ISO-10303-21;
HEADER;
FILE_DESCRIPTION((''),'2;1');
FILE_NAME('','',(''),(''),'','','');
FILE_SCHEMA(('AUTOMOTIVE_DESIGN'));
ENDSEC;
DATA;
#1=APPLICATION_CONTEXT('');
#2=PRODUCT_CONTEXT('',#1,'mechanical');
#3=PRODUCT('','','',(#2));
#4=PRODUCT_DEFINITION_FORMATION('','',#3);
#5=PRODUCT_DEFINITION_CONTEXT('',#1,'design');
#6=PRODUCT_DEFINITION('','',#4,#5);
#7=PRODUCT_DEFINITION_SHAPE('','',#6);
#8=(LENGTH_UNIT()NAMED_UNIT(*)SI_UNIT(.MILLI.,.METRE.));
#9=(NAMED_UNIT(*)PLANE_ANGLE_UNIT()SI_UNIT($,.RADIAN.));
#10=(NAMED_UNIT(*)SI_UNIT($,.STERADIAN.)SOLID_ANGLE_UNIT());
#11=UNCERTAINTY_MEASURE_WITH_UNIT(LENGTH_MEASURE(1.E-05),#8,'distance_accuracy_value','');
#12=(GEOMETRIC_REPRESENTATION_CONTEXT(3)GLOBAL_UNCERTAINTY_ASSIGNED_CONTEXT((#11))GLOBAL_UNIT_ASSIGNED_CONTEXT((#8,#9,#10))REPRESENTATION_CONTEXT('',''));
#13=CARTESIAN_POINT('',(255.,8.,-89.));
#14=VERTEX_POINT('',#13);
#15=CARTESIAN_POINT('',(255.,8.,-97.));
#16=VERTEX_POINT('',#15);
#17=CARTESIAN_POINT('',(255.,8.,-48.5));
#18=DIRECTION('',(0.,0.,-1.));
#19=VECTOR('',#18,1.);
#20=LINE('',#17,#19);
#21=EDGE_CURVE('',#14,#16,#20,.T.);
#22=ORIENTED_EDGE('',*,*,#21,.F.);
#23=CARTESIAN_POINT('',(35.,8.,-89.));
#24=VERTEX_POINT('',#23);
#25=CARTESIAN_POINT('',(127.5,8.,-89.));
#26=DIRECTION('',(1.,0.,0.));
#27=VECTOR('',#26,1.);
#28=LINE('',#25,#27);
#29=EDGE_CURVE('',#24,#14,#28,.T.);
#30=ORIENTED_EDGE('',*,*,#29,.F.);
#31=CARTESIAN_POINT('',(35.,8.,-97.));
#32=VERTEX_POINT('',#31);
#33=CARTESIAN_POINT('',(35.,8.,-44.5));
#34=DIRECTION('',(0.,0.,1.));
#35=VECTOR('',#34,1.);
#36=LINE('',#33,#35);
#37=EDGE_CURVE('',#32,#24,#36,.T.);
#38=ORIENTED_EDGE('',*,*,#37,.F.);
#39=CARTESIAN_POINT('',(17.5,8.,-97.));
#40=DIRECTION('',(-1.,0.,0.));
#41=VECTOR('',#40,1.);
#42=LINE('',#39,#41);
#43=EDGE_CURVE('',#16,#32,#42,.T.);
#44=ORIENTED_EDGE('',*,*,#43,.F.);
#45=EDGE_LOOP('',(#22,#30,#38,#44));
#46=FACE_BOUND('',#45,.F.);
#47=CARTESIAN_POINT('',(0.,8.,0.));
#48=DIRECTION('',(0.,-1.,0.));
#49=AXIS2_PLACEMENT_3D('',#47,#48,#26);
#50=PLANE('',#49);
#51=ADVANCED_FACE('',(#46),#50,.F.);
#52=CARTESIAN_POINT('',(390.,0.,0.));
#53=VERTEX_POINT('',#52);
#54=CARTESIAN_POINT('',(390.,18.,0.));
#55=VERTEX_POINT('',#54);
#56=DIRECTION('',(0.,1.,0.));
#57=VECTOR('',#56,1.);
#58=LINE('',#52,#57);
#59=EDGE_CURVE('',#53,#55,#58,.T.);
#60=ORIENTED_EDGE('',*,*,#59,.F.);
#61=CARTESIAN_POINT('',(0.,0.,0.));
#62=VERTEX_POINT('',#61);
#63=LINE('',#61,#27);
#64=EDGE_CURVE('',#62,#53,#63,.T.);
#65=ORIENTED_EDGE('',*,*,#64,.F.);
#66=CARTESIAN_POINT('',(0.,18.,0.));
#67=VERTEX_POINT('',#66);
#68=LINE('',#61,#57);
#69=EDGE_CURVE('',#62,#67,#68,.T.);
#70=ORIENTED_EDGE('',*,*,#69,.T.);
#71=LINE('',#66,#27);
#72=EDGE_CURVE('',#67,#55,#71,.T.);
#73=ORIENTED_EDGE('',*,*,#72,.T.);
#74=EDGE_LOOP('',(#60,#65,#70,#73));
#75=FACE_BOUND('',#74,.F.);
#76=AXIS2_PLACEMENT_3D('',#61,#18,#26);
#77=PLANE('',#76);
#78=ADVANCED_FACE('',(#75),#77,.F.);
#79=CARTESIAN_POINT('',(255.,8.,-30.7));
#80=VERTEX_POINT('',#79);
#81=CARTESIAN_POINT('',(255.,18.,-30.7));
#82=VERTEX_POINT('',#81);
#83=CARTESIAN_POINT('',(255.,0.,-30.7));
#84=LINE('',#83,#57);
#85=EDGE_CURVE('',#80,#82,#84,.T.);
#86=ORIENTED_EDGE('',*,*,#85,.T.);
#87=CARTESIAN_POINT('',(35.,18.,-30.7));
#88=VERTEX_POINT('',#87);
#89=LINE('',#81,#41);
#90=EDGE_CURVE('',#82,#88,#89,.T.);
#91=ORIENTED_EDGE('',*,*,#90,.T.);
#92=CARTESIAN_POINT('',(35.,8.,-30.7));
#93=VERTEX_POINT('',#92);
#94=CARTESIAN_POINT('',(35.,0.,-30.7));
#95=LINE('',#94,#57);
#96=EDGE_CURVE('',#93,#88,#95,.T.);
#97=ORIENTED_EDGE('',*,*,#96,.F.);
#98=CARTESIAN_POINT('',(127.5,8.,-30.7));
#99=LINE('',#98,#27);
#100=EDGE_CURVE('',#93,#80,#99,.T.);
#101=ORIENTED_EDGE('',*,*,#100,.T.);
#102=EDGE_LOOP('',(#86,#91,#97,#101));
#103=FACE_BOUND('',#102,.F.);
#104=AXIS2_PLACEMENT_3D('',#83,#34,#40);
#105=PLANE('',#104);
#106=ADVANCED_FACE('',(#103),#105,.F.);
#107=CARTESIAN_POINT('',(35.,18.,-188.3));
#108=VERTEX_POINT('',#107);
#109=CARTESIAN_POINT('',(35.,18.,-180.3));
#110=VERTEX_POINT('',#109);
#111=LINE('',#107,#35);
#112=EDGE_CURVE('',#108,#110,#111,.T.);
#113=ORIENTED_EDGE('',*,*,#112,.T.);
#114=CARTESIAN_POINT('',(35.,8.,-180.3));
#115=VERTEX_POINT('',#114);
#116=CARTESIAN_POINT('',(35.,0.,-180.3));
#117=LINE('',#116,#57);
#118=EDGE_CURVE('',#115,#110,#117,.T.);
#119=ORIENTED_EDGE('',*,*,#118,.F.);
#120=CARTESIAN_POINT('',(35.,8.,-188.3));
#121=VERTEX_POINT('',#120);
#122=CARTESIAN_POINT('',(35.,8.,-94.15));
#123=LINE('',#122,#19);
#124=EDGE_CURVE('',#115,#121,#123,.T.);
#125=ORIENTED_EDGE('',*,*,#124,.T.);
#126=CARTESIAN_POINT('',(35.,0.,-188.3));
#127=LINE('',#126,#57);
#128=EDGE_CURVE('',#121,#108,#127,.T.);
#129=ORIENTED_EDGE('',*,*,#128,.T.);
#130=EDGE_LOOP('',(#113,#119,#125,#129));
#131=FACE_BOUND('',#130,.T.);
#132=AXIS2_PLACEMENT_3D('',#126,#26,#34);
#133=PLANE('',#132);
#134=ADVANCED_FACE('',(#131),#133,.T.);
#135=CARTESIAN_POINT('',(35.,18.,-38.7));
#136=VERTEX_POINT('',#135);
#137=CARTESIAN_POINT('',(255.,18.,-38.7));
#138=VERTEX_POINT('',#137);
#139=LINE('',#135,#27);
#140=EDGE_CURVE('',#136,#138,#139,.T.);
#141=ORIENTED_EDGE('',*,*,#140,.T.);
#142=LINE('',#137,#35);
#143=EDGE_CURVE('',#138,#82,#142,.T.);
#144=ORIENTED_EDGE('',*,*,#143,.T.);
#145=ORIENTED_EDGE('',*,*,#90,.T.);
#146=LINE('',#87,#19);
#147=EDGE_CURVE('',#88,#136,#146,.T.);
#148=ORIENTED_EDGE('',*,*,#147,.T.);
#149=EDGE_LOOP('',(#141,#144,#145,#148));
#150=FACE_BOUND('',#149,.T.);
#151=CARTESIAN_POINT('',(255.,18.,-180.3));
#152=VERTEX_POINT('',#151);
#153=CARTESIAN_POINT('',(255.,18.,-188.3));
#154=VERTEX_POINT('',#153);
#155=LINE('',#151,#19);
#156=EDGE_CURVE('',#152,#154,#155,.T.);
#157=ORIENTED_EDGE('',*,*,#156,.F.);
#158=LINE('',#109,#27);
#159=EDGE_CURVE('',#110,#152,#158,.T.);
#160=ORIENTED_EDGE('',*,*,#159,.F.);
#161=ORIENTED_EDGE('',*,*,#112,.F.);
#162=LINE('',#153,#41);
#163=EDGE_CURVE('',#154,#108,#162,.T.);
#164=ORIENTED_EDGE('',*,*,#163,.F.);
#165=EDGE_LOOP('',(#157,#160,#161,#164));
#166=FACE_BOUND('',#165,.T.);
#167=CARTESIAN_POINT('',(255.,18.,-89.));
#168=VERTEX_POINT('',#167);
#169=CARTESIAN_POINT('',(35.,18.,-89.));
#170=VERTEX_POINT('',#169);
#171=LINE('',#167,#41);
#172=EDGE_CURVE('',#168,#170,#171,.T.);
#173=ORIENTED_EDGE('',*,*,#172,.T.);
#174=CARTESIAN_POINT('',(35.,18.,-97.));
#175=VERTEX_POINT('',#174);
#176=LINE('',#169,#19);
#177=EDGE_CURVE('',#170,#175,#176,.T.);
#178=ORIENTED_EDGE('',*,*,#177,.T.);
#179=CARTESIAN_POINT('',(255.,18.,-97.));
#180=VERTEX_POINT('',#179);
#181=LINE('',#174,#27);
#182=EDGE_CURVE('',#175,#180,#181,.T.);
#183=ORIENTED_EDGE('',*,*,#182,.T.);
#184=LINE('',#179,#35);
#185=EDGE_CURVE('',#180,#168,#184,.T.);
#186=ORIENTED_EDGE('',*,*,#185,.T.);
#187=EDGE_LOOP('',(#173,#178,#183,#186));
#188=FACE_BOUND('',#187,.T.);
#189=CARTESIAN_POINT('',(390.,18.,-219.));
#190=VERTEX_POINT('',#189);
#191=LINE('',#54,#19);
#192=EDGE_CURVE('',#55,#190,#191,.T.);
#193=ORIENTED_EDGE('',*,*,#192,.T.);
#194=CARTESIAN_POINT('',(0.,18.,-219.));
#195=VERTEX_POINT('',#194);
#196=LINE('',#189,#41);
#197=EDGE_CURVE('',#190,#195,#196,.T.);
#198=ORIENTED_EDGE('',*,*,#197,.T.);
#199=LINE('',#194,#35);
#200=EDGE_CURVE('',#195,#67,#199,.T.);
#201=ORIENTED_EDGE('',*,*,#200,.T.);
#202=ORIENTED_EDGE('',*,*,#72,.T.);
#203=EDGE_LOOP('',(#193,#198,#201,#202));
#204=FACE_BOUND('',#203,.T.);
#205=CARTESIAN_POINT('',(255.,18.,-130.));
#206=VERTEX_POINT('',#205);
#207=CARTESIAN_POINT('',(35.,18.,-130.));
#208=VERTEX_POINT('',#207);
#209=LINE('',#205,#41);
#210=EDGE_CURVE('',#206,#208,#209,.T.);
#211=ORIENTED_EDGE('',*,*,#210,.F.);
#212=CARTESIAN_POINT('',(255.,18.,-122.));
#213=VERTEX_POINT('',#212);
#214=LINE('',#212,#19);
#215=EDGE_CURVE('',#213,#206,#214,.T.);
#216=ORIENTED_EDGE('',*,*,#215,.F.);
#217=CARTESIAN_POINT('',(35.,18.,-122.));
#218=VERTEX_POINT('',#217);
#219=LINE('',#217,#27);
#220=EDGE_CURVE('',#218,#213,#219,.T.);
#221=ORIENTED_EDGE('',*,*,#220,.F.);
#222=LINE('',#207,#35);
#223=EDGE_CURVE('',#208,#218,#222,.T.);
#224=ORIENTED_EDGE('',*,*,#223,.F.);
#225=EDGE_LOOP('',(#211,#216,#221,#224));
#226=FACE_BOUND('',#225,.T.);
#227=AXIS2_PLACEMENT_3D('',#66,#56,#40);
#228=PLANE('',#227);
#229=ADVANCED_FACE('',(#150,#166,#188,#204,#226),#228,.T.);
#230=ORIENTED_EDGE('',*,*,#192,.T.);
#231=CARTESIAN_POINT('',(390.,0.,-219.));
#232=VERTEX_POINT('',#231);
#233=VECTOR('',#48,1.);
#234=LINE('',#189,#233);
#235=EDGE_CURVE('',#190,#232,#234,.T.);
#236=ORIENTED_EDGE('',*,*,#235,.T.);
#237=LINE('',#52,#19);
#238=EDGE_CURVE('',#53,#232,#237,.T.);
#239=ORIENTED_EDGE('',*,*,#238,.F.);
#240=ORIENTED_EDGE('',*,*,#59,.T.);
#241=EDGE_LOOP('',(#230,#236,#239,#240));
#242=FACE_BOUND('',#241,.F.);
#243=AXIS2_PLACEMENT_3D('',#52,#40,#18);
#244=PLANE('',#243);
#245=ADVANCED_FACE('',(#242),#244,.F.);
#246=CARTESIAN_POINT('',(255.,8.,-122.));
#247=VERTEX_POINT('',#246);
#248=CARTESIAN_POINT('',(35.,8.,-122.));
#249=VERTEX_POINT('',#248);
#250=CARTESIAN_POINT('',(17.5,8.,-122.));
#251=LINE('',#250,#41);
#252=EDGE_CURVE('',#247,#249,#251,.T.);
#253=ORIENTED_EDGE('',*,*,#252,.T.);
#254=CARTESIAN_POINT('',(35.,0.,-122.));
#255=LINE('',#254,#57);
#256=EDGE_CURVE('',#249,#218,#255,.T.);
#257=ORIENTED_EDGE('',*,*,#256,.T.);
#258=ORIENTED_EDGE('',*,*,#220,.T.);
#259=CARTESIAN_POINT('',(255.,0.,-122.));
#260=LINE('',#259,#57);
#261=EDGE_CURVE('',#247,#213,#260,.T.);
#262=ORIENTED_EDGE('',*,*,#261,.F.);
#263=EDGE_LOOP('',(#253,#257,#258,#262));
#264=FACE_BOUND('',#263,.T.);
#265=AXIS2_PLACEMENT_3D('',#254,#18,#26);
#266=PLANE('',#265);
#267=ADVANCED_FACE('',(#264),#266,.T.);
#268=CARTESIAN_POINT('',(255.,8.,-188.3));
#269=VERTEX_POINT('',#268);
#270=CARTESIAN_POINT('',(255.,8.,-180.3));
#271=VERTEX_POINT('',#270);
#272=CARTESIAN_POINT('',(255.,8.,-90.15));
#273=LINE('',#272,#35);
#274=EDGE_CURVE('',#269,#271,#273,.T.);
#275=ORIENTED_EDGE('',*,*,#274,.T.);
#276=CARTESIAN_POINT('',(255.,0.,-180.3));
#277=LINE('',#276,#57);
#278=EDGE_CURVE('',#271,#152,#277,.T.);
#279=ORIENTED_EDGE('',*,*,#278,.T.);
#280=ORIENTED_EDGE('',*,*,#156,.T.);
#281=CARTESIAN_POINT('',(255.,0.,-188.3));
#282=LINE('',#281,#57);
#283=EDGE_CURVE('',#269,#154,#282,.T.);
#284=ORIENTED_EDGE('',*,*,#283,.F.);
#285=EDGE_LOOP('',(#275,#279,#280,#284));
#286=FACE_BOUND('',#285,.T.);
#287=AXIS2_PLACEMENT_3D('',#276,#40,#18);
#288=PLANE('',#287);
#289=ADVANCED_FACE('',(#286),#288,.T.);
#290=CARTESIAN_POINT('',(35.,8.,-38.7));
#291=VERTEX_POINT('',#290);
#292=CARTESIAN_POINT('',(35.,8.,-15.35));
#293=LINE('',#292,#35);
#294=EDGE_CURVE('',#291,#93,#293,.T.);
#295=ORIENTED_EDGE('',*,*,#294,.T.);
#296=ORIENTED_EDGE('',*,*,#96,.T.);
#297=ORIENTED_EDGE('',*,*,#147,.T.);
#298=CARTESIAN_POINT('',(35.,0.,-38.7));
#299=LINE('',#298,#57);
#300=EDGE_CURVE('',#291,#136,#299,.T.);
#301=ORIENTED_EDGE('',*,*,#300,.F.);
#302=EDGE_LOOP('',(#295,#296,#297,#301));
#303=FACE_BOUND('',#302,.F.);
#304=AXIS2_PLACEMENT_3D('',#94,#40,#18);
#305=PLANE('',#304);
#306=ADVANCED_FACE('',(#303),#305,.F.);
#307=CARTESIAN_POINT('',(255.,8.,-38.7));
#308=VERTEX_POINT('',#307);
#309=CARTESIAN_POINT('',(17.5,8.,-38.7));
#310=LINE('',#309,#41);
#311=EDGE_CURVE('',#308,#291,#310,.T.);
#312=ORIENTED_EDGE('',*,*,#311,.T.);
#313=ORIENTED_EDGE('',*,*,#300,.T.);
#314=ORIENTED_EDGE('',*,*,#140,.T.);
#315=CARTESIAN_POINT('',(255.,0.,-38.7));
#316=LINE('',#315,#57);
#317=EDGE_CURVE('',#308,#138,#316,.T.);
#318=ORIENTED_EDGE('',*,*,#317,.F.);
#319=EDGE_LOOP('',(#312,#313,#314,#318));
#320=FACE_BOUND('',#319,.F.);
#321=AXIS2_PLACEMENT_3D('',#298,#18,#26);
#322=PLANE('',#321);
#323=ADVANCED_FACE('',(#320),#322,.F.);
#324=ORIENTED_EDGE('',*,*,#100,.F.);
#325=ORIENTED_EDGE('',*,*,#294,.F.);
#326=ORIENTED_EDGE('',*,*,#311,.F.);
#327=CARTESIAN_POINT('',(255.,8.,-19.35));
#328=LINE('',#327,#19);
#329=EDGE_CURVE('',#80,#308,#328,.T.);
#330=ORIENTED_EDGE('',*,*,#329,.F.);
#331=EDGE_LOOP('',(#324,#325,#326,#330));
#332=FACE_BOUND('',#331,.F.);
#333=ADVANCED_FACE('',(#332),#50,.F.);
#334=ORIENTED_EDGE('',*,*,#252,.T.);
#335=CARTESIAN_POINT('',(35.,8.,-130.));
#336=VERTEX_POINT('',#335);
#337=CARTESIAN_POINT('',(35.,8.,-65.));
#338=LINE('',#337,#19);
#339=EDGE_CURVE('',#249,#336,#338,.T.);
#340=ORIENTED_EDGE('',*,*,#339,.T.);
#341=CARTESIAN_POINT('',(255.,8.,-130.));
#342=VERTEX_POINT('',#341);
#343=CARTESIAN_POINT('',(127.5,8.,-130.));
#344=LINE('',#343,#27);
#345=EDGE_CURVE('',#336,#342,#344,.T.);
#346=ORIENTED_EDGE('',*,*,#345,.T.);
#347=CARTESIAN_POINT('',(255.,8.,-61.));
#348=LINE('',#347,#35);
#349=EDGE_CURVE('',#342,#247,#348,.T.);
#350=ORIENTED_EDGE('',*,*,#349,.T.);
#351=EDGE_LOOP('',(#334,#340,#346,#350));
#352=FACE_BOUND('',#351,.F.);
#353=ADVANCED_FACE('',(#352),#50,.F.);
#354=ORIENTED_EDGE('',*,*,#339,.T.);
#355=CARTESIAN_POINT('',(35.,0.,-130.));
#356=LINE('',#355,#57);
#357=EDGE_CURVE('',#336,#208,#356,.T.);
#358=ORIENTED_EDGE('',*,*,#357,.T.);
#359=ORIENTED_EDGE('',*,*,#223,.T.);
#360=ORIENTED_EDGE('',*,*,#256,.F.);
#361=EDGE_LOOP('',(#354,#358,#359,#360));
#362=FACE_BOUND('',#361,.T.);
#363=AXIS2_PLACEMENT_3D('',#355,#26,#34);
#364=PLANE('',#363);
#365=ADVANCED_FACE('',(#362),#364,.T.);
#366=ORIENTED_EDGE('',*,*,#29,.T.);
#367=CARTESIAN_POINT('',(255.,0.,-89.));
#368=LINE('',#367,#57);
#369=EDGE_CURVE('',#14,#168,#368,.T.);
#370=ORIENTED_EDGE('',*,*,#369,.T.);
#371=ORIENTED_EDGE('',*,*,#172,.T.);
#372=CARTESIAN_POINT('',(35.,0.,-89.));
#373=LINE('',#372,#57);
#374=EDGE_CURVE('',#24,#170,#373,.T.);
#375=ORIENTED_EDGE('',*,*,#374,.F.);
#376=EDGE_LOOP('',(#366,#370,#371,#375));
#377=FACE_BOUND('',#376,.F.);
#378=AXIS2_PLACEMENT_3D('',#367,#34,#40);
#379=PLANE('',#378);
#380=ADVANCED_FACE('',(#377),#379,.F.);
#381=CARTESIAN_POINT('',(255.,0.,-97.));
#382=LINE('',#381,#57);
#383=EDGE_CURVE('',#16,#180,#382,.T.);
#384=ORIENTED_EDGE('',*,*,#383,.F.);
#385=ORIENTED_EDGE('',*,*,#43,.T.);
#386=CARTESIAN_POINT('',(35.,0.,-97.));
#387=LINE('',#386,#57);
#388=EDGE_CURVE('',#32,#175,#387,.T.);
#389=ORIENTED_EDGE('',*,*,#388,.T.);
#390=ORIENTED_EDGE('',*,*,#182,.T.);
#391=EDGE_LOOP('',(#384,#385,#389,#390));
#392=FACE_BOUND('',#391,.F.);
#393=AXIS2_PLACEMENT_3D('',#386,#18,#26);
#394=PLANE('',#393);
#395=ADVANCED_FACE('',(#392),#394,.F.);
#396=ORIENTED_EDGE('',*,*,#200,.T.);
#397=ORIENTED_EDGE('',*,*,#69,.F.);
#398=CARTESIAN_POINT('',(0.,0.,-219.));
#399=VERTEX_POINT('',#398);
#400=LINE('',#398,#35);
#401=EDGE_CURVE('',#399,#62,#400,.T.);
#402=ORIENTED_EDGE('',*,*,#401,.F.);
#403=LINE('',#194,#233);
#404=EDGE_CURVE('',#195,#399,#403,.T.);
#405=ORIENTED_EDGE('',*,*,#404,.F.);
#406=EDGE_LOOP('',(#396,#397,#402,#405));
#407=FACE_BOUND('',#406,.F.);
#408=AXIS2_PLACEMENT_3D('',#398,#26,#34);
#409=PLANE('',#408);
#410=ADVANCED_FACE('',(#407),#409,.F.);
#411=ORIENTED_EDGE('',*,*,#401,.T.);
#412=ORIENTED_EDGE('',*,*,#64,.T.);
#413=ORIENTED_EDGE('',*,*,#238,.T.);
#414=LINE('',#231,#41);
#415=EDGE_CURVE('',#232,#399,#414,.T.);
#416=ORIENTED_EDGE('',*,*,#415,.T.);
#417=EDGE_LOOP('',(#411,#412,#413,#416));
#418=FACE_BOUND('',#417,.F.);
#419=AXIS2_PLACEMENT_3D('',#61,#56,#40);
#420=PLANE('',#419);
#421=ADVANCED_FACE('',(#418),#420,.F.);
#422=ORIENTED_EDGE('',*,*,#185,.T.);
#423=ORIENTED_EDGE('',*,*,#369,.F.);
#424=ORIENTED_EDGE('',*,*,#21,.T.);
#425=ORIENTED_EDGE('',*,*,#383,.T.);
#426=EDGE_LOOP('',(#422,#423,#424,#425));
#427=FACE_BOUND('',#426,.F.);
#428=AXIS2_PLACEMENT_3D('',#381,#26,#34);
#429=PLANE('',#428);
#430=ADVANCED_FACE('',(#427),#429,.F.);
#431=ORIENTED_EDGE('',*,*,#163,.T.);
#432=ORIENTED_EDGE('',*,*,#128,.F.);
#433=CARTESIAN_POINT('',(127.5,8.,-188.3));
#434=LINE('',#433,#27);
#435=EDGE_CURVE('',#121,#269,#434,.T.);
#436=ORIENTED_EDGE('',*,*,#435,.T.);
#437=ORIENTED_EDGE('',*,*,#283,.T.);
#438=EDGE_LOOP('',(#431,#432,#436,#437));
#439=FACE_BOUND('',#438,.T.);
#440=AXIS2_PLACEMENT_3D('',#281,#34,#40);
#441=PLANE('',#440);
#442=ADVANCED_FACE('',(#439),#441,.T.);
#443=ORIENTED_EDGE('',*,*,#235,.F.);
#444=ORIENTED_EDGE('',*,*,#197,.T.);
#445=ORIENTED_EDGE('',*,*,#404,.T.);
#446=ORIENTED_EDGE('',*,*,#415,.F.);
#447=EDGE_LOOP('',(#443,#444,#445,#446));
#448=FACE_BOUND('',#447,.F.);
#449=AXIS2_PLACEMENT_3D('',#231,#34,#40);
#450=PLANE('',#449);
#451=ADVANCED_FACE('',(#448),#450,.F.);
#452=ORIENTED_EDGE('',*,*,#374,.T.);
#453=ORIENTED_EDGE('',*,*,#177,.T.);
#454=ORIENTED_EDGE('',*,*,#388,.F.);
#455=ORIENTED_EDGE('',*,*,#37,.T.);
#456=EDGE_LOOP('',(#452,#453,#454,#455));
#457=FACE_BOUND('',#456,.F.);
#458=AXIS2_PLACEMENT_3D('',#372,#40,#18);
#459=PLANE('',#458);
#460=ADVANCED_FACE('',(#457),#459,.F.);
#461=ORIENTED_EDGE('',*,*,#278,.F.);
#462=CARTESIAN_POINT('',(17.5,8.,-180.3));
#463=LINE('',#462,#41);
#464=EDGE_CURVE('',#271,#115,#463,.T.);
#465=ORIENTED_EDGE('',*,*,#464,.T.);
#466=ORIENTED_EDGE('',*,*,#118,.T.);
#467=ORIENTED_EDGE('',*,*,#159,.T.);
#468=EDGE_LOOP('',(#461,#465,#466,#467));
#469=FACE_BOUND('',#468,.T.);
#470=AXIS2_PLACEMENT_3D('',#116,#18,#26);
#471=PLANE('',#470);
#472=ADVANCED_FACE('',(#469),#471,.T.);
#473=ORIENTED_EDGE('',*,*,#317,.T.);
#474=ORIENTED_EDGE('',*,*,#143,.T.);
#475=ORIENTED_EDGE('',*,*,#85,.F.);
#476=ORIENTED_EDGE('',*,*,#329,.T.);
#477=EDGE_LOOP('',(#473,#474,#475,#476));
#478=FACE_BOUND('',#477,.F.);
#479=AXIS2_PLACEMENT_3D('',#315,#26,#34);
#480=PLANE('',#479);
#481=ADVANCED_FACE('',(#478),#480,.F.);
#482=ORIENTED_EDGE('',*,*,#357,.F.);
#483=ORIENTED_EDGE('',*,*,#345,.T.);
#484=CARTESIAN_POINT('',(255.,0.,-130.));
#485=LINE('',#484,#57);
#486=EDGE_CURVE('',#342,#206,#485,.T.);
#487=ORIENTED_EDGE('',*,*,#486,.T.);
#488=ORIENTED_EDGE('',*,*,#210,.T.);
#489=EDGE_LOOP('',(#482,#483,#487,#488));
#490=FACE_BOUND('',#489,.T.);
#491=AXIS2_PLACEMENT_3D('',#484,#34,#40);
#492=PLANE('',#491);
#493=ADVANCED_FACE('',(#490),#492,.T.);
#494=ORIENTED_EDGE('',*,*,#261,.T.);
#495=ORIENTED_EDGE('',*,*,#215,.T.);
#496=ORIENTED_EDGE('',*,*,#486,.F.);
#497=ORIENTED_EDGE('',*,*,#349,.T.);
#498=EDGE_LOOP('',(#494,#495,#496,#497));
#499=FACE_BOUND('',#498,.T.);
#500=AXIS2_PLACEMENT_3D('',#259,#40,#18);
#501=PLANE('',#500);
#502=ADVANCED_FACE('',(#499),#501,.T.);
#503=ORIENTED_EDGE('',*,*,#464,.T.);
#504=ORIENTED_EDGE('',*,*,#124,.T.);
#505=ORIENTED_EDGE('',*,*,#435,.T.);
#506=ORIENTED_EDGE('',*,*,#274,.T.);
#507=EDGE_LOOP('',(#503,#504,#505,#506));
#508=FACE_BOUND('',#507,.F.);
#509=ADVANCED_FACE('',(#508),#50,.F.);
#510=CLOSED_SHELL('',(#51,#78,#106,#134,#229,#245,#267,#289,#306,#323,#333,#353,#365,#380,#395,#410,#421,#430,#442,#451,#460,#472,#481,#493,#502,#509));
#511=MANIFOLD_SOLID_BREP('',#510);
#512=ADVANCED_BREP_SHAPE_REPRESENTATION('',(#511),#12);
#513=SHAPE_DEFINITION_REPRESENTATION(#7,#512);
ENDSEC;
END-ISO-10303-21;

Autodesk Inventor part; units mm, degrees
ref_plane "YZ Plane" through (0, 0, 0) normal (1, 0, 0) x (0, 1, 0)
ref_plane "XZ Plane" through (0, 0, 0) normal (0, 1, 0) x (-1, 0, 0)
ref_plane "XY Plane" through (0, 0, 0) normal (0, 0, 1) x (1, 0, 0)
sketch "Sketch1" plane through (0, 0, 0) normal (0, 1, 0) x (-1, 0, 0)
  line L0 (0, 0) -> (-390, 0)
  line L1 (-390, 0) -> (-390, -219)
  line L2 (-390, -219) -> (0, -219)
  line L3 (0, -219) -> (0, 0)
  line L4 (-35, -38.7) -> (-255, -38.7)
  line L5 (-255, -38.7) -> (-255, -30.7)
  line L6 (-255, -30.7) -> (-35, -30.7)
  line L7 (-35, -30.7) -> (-35, -38.7)
  line L8 (-35, -97) -> (-255, -97)
  line L9 (-255, -97) -> (-255, -89)
  line L10 (-255, -89) -> (-35, -89)
  line L11 (-35, -89) -> (-35, -97)
  line L12 (68.8158, -109.5) -> (84.9045, -109.5) construction
  line L13 (-35, -180.3) -> (-255, -180.3)
  line L14 (-255, -180.3) -> (-255, -188.3)
  line L15 (-255, -188.3) -> (-35, -188.3)
  line L16 (-35, -188.3) -> (-35, -180.3)
  line L17 (-35, -122) -> (-255, -122)
  line L18 (-255, -122) -> (-255, -130)
  line L19 (-255, -130) -> (-35, -130)
  line L20 (-35, -130) -> (-35, -122)
  point P0 (0, -109.5)
  point P1 (76.8601, -109.5)
  dimension "d0" = 219
  dimension "d1" = 50.3
  dimension "d2" = 8
  dimension "d3" = 8
  dimension "d4" = 35
  dimension "d6" = 220
  dimension "d7" = 25
  dimension "d8" = 30.7
  dimension "d9" = 30.7
  dimension "d12" = 390
extrude "Extrusion1" add sketch "Sketch1" along normal blind 18
sketch "Sketch3" plane through (0, 0, 0) normal (0, -1, 0) x (1, 0, 0)
  line L0 (390, -219) -> (0, -219) projected
  line L1 (0, 0) -> (390, 0)
  line L2 (390, 0) -> (390, -219)
  line L3 (390, -219) -> (0, -219)
  line L4 (0, -219) -> (0, 0)
  point P0 (0, -219)
extrude "Extrusion2" add sketch "Sketch3" against normal blind 8
sketch "Sketch4" plane through (0, 18, 0) normal (0, 1, 0) x (1, 0, 0)
  line L0 (375, 15) -> (270, 15)
  line L1 (270, 15) -> (270, 204)
  line L2 (270, 204) -> (375, 204)
  line L3 (375, 204) -> (375, 15)
  line L4 (390, 0) -> (390, 219) projected
  line L5 (390, 219) -> (0, 219) projected
  line L6 (0, 0) -> (390, 0) projected
  line L7 (255, 130) -> (255, 122) projected
  line L8 (270, 204) -> (374.9963, 204) construction
  line L9 (374.9963, 204) -> (374.9963, 14.9979) construction
  line L10 (374.9963, 14.9979) -> (270, 14.9979) construction
  line L11 (270, 14.9979) -> (270, 204) construction
  point P0 (375, 109.5)
  point P1 (390, 109.5)
  dimension "d24" = 105
  dimension "d25" = 189
  dimension "d27" = 15
properties part number "dubpen-platform"
